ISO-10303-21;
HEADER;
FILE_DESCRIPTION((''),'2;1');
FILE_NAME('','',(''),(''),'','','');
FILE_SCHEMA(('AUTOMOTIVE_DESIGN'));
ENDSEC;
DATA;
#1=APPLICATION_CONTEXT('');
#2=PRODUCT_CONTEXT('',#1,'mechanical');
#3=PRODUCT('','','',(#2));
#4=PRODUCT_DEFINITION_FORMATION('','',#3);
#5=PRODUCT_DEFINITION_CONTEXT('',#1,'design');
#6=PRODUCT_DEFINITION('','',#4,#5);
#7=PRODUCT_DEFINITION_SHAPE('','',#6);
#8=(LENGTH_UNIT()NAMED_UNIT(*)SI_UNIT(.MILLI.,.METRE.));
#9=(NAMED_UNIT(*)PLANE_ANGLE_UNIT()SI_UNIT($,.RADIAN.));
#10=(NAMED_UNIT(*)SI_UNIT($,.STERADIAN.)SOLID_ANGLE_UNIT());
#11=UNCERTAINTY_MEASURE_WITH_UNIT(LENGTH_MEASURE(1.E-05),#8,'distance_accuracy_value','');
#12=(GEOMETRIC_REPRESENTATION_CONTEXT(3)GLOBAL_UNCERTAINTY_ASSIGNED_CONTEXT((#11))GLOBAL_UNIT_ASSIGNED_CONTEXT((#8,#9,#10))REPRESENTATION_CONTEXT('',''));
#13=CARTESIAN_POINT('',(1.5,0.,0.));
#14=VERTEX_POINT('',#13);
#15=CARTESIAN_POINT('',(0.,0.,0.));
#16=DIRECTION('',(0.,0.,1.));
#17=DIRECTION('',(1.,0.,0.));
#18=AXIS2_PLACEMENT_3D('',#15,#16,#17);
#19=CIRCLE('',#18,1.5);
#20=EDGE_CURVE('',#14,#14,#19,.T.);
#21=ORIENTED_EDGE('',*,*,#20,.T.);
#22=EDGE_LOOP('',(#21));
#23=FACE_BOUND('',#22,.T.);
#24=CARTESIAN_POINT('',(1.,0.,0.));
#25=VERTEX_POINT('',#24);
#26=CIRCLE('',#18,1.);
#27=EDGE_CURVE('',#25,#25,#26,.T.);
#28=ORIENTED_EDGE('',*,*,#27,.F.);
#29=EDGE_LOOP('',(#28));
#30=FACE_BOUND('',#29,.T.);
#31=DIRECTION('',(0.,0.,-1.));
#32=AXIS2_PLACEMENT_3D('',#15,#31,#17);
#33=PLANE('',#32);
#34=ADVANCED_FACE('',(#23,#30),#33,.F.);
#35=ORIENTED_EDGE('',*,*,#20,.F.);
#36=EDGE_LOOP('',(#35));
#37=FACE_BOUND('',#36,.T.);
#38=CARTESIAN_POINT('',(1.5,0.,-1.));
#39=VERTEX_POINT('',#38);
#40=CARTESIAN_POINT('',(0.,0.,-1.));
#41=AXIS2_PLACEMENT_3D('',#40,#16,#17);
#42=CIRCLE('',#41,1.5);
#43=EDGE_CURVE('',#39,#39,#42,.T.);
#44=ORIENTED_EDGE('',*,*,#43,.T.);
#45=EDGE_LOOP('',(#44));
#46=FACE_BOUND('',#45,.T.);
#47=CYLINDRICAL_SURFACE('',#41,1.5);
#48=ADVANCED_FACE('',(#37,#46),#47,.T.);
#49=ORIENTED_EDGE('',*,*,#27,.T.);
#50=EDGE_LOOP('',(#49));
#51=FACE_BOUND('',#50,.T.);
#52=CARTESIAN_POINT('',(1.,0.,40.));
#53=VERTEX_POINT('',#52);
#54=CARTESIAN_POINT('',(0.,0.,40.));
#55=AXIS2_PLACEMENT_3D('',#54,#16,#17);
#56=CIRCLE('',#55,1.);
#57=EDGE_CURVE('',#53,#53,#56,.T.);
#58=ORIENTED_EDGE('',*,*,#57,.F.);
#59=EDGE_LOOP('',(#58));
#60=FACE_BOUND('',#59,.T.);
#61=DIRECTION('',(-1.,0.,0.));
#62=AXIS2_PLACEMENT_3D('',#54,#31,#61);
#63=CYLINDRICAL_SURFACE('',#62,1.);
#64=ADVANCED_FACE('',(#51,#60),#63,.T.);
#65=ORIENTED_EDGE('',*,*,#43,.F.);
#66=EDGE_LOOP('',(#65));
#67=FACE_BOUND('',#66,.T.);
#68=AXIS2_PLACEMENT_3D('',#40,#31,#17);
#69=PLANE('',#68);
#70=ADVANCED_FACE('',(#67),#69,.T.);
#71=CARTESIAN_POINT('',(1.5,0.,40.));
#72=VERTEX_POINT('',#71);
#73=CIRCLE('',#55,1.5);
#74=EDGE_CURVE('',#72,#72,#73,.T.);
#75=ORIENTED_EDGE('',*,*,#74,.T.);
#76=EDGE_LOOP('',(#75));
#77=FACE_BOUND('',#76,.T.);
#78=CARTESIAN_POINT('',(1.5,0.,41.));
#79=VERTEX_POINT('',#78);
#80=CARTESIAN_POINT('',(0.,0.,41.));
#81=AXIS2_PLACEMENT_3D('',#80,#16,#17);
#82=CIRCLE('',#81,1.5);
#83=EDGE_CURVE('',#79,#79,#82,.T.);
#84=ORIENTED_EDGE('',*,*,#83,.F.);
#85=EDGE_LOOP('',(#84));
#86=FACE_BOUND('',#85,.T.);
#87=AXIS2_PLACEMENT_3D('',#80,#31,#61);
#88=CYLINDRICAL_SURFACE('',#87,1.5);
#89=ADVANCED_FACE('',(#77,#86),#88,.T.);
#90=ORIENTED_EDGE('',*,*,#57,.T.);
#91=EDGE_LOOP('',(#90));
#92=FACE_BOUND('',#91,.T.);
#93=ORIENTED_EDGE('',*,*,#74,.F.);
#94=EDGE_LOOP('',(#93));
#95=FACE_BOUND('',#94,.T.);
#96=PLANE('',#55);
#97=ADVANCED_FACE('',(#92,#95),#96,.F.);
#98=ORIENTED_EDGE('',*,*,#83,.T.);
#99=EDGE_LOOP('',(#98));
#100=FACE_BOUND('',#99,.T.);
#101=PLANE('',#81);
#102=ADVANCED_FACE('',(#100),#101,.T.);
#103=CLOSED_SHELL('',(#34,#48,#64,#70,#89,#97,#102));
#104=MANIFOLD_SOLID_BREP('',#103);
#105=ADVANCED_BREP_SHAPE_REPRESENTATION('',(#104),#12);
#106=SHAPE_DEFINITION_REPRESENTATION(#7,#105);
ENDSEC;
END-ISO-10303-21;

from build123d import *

# Parameters (mm, degrees)
ESQUISSE1_R        = 1
BOSS_EXTRU_1_DEPTH = 40
ESQUISSE2_R        = 1.5
BOSS_EXTRU_2_DEPTH = 1


with BuildPart() as part:
    # Esquisse1 → Boss.-Extru.1 (new body)
    with BuildSketch(Plane.XY):
        Circle(ESQUISSE1_R)
    extrude(amount=BOSS_EXTRU_1_DEPTH)

    # Esquisse2 → Boss.-Extru.2 (add)
    with BuildSketch(Plane.XY.offset(40)):
        Circle(ESQUISSE2_R)
    boss_extru_2 = extrude(amount=BOSS_EXTRU_2_DEPTH)

    # Symétrie1: Boss.-Extru.2 across plane
    add(boss_extru_2.mirror(Plane(origin=(0, 0, 20), x_dir=(1, 0, 0), z_dir=(0, 0, -1))))


solid = part.part
